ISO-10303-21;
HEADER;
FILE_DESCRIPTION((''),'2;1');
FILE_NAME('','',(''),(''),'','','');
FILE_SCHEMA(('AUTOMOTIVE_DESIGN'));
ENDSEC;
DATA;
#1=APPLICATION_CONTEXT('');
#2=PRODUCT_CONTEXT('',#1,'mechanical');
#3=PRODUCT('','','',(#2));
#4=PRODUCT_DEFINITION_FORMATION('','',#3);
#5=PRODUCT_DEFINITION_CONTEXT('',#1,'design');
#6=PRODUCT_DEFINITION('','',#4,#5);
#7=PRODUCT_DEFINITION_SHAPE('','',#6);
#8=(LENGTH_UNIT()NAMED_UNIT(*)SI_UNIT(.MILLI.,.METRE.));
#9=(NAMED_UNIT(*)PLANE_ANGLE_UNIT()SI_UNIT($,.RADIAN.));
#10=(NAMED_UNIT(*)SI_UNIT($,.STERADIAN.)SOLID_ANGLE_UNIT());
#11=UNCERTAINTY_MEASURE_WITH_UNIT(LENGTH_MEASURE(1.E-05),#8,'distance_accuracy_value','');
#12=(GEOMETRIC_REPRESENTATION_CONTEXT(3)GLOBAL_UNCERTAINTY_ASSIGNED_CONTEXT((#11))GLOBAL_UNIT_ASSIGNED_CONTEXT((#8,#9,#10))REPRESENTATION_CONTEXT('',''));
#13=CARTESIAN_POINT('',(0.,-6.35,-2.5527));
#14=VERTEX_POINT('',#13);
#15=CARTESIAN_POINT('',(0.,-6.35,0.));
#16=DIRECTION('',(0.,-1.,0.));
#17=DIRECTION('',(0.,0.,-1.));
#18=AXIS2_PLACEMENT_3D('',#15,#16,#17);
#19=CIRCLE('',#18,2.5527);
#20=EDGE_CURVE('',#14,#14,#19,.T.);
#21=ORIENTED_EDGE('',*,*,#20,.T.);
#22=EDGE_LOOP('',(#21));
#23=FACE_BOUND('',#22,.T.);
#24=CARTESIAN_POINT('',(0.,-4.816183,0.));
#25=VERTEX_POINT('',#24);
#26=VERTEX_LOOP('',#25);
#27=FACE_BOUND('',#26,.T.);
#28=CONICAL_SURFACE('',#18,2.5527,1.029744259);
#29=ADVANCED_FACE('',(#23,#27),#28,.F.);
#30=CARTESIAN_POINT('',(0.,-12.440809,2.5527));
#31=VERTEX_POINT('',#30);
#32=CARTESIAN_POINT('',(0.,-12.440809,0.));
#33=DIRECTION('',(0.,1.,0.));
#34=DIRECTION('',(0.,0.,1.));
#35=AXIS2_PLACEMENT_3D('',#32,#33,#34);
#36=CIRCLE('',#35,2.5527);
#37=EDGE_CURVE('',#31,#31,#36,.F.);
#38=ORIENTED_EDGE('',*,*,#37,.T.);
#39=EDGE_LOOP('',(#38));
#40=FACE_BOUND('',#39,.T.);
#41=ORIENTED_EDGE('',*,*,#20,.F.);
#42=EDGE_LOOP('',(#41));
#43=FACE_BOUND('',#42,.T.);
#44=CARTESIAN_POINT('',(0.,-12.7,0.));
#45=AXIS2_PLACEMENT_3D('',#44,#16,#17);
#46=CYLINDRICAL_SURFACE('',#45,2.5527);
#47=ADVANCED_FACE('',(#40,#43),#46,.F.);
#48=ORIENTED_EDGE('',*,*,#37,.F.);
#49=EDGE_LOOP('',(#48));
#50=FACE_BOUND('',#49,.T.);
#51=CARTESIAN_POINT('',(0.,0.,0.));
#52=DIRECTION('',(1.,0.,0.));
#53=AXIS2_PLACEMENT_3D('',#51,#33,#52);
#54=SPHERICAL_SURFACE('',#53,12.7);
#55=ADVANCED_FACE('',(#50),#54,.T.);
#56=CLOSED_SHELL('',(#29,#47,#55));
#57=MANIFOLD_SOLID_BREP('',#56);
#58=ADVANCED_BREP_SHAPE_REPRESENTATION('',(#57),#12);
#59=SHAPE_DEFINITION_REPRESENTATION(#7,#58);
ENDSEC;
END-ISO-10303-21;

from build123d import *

# Parameters (mm, degrees)
F_1_4_20_TAPPED_HOLE1_D     = 5.1054
F_1_4_20_TAPPED_HOLE1_DEPTH = 6.35
F_1_4_20_TAPPED_HOLE1_TIP   = 1.533816902


with BuildPart() as part:
    # Sketch1 → Revolve1 (revolve)
    with BuildSketch(Plane.XY):
        with BuildLine():
            Line((0, 12.7), (0, -12.7))
            ThreePointArc((0, -12.7), (-12.7, 0), (0, 12.7))
        make_face()
    revolve(axis=Axis((0, 12.7, 0), (0, -1, 0)))

    # 1/4-20 Tapped Hole1
    with Locations(Plane(origin=(0, -12.7, 0), x_dir=(-1, 0, 0), z_dir=(0, -1, 0))):
        with Locations((0, 0)):
            Hole(F_1_4_20_TAPPED_HOLE1_D / 2, depth=F_1_4_20_TAPPED_HOLE1_DEPTH)
            with Locations((0, 0, -(F_1_4_20_TAPPED_HOLE1_DEPTH + F_1_4_20_TAPPED_HOLE1_TIP / 2))):  # 118° drill point
                Cone(0, F_1_4_20_TAPPED_HOLE1_D / 2, F_1_4_20_TAPPED_HOLE1_TIP, mode=Mode.SUBTRACT)


solid = part.part
